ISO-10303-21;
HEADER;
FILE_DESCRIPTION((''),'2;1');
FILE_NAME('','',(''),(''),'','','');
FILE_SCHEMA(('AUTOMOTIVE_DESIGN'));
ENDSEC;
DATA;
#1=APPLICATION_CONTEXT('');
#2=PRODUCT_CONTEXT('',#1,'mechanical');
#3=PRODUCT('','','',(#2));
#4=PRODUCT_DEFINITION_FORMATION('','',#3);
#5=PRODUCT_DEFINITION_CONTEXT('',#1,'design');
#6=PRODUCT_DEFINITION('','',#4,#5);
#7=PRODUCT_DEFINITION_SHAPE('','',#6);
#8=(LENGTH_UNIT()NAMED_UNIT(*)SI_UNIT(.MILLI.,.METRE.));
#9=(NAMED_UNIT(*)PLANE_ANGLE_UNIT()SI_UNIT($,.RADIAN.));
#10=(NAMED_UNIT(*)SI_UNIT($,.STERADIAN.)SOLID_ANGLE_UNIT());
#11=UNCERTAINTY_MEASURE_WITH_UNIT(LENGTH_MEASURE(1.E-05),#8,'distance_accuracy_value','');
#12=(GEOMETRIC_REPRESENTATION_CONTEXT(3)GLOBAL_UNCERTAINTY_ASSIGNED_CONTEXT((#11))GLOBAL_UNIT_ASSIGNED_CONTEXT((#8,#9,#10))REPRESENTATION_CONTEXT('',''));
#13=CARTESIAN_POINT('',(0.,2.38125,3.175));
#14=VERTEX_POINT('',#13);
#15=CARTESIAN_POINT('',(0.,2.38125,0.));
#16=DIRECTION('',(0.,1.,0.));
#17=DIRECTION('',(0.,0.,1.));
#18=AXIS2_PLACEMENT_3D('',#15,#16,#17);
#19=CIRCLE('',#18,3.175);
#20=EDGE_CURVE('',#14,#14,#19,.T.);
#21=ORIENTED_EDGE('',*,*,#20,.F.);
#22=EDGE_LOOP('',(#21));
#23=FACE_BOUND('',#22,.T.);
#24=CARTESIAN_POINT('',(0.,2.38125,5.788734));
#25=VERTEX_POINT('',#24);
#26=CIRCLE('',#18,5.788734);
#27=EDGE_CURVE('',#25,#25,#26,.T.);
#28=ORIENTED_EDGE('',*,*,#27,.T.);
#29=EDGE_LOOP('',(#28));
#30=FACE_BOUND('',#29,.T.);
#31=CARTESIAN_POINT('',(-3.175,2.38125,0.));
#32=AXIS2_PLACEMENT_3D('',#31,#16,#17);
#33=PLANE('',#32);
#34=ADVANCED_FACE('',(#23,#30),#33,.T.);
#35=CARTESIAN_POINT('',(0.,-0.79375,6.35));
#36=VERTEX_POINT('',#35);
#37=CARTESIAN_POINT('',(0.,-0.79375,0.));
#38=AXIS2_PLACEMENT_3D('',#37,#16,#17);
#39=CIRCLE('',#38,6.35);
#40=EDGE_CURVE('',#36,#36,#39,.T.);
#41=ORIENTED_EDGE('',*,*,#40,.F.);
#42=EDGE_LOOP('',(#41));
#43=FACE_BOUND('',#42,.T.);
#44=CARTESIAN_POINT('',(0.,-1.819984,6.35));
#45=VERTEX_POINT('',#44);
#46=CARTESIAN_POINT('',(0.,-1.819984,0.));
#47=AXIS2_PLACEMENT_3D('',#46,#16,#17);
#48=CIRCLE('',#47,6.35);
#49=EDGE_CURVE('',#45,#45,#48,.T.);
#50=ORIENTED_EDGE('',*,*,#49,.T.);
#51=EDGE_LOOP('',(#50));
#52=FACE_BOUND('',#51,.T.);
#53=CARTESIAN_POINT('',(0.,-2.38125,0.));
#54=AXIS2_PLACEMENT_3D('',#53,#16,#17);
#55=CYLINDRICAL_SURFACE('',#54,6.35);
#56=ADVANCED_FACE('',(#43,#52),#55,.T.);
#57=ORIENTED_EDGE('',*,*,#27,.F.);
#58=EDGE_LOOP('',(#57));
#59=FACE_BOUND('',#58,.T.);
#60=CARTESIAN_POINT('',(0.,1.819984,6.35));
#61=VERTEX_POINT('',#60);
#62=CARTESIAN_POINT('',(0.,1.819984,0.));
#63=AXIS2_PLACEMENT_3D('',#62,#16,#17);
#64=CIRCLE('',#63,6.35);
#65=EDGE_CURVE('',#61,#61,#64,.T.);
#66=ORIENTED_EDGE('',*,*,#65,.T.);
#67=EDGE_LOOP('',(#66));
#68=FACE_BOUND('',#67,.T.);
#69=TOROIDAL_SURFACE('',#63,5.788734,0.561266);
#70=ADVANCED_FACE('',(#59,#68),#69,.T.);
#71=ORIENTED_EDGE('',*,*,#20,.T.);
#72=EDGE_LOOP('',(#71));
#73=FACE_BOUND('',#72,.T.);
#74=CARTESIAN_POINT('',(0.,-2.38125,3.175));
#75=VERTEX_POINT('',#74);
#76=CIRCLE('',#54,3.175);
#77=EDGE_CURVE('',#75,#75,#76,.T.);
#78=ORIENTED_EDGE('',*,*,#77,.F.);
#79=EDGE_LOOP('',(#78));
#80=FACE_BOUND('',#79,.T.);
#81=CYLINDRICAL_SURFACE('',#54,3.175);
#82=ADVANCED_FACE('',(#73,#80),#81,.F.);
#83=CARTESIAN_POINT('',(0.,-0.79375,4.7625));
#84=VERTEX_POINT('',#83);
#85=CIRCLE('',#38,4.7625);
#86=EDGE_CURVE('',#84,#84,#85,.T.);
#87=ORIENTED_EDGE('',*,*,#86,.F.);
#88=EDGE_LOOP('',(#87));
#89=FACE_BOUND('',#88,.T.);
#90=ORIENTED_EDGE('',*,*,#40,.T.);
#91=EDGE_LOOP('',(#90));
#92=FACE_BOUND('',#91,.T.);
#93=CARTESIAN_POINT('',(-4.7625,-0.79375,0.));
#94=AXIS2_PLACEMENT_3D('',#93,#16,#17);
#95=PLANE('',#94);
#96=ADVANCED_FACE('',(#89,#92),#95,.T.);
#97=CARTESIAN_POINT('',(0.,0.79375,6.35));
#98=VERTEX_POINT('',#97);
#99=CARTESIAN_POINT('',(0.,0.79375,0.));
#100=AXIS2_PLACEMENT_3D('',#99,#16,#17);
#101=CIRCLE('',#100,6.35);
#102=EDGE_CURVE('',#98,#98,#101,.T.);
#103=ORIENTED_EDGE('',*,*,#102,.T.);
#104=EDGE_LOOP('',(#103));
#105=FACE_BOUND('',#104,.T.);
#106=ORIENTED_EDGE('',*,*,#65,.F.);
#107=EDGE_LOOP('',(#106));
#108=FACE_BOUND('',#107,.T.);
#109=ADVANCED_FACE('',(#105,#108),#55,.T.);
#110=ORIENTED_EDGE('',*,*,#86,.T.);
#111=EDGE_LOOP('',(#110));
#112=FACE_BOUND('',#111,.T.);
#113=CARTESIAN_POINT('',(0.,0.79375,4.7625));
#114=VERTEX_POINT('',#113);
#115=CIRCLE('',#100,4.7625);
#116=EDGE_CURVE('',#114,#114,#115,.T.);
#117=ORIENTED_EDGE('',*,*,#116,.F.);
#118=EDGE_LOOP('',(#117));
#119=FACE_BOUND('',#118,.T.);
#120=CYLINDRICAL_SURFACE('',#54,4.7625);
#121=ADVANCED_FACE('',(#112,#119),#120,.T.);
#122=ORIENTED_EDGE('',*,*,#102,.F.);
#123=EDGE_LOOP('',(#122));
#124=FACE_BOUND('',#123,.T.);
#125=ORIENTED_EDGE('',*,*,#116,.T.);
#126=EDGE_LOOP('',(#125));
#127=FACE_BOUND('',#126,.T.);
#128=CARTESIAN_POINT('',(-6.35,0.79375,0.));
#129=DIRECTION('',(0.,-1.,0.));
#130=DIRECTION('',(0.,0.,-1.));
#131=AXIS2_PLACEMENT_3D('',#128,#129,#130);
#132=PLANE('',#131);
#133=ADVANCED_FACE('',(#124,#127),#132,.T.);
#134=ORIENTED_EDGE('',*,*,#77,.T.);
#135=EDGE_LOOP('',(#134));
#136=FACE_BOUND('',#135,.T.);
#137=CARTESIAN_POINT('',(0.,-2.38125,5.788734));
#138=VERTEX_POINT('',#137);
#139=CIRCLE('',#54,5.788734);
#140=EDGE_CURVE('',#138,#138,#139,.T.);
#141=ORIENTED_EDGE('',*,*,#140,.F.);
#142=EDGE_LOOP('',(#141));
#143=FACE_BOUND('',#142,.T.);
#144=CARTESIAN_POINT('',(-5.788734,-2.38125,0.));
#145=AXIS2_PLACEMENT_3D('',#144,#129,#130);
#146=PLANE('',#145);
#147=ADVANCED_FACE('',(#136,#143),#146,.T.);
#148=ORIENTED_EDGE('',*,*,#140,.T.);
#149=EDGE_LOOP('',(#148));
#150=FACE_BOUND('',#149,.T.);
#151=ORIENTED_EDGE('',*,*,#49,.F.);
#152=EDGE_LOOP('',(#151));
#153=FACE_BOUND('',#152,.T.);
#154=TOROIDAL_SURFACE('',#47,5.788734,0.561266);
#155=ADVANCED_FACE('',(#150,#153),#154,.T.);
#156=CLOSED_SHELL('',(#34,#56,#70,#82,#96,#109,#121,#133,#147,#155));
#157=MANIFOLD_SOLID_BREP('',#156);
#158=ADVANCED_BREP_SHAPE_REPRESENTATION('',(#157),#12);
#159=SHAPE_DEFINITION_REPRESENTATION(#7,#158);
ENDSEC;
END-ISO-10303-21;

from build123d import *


with BuildPart() as part:
    # Sketch15 → Revolve4 (revolve)
    with BuildSketch(Plane.XY, mode=Mode.PRIVATE) as revolve4_sk:
        with BuildLine():
            Line((-3.175, -2.38125), (-3.175, 2.38125))
            Line((-3.175, 2.38125), (-5.788733992, 2.38125))
            ThreePointArc((-5.788733992, 2.38125), (-6.185608992, 2.216858992), (-6.35, 1.819983992))
            Line((-6.35, 1.819983992), (-6.35, 0.79375))
            Line((-6.35, 0.79375), (-4.7625, 0.79375))
            Line((-4.7625, 0.79375), (-4.7625, -0.79375))
            Line((-4.7625, -0.79375), (-6.35, -0.79375))
            Line((-6.35, -0.79375), (-6.35, -1.819983992))
            ThreePointArc((-6.35, -1.819983992), (-6.185608992, -2.216858992), (-5.788733992, -2.38125))
            Line((-5.788733992, -2.38125), (-3.175, -2.38125))
        make_face()
    revolve(revolve4_sk.sketch.rotate(Axis((0, -2.38125, 0), (0, 1, 0)), 90), axis=Axis((0, -2.38125, 0), (0, 1, 0)))


solid = part.part
